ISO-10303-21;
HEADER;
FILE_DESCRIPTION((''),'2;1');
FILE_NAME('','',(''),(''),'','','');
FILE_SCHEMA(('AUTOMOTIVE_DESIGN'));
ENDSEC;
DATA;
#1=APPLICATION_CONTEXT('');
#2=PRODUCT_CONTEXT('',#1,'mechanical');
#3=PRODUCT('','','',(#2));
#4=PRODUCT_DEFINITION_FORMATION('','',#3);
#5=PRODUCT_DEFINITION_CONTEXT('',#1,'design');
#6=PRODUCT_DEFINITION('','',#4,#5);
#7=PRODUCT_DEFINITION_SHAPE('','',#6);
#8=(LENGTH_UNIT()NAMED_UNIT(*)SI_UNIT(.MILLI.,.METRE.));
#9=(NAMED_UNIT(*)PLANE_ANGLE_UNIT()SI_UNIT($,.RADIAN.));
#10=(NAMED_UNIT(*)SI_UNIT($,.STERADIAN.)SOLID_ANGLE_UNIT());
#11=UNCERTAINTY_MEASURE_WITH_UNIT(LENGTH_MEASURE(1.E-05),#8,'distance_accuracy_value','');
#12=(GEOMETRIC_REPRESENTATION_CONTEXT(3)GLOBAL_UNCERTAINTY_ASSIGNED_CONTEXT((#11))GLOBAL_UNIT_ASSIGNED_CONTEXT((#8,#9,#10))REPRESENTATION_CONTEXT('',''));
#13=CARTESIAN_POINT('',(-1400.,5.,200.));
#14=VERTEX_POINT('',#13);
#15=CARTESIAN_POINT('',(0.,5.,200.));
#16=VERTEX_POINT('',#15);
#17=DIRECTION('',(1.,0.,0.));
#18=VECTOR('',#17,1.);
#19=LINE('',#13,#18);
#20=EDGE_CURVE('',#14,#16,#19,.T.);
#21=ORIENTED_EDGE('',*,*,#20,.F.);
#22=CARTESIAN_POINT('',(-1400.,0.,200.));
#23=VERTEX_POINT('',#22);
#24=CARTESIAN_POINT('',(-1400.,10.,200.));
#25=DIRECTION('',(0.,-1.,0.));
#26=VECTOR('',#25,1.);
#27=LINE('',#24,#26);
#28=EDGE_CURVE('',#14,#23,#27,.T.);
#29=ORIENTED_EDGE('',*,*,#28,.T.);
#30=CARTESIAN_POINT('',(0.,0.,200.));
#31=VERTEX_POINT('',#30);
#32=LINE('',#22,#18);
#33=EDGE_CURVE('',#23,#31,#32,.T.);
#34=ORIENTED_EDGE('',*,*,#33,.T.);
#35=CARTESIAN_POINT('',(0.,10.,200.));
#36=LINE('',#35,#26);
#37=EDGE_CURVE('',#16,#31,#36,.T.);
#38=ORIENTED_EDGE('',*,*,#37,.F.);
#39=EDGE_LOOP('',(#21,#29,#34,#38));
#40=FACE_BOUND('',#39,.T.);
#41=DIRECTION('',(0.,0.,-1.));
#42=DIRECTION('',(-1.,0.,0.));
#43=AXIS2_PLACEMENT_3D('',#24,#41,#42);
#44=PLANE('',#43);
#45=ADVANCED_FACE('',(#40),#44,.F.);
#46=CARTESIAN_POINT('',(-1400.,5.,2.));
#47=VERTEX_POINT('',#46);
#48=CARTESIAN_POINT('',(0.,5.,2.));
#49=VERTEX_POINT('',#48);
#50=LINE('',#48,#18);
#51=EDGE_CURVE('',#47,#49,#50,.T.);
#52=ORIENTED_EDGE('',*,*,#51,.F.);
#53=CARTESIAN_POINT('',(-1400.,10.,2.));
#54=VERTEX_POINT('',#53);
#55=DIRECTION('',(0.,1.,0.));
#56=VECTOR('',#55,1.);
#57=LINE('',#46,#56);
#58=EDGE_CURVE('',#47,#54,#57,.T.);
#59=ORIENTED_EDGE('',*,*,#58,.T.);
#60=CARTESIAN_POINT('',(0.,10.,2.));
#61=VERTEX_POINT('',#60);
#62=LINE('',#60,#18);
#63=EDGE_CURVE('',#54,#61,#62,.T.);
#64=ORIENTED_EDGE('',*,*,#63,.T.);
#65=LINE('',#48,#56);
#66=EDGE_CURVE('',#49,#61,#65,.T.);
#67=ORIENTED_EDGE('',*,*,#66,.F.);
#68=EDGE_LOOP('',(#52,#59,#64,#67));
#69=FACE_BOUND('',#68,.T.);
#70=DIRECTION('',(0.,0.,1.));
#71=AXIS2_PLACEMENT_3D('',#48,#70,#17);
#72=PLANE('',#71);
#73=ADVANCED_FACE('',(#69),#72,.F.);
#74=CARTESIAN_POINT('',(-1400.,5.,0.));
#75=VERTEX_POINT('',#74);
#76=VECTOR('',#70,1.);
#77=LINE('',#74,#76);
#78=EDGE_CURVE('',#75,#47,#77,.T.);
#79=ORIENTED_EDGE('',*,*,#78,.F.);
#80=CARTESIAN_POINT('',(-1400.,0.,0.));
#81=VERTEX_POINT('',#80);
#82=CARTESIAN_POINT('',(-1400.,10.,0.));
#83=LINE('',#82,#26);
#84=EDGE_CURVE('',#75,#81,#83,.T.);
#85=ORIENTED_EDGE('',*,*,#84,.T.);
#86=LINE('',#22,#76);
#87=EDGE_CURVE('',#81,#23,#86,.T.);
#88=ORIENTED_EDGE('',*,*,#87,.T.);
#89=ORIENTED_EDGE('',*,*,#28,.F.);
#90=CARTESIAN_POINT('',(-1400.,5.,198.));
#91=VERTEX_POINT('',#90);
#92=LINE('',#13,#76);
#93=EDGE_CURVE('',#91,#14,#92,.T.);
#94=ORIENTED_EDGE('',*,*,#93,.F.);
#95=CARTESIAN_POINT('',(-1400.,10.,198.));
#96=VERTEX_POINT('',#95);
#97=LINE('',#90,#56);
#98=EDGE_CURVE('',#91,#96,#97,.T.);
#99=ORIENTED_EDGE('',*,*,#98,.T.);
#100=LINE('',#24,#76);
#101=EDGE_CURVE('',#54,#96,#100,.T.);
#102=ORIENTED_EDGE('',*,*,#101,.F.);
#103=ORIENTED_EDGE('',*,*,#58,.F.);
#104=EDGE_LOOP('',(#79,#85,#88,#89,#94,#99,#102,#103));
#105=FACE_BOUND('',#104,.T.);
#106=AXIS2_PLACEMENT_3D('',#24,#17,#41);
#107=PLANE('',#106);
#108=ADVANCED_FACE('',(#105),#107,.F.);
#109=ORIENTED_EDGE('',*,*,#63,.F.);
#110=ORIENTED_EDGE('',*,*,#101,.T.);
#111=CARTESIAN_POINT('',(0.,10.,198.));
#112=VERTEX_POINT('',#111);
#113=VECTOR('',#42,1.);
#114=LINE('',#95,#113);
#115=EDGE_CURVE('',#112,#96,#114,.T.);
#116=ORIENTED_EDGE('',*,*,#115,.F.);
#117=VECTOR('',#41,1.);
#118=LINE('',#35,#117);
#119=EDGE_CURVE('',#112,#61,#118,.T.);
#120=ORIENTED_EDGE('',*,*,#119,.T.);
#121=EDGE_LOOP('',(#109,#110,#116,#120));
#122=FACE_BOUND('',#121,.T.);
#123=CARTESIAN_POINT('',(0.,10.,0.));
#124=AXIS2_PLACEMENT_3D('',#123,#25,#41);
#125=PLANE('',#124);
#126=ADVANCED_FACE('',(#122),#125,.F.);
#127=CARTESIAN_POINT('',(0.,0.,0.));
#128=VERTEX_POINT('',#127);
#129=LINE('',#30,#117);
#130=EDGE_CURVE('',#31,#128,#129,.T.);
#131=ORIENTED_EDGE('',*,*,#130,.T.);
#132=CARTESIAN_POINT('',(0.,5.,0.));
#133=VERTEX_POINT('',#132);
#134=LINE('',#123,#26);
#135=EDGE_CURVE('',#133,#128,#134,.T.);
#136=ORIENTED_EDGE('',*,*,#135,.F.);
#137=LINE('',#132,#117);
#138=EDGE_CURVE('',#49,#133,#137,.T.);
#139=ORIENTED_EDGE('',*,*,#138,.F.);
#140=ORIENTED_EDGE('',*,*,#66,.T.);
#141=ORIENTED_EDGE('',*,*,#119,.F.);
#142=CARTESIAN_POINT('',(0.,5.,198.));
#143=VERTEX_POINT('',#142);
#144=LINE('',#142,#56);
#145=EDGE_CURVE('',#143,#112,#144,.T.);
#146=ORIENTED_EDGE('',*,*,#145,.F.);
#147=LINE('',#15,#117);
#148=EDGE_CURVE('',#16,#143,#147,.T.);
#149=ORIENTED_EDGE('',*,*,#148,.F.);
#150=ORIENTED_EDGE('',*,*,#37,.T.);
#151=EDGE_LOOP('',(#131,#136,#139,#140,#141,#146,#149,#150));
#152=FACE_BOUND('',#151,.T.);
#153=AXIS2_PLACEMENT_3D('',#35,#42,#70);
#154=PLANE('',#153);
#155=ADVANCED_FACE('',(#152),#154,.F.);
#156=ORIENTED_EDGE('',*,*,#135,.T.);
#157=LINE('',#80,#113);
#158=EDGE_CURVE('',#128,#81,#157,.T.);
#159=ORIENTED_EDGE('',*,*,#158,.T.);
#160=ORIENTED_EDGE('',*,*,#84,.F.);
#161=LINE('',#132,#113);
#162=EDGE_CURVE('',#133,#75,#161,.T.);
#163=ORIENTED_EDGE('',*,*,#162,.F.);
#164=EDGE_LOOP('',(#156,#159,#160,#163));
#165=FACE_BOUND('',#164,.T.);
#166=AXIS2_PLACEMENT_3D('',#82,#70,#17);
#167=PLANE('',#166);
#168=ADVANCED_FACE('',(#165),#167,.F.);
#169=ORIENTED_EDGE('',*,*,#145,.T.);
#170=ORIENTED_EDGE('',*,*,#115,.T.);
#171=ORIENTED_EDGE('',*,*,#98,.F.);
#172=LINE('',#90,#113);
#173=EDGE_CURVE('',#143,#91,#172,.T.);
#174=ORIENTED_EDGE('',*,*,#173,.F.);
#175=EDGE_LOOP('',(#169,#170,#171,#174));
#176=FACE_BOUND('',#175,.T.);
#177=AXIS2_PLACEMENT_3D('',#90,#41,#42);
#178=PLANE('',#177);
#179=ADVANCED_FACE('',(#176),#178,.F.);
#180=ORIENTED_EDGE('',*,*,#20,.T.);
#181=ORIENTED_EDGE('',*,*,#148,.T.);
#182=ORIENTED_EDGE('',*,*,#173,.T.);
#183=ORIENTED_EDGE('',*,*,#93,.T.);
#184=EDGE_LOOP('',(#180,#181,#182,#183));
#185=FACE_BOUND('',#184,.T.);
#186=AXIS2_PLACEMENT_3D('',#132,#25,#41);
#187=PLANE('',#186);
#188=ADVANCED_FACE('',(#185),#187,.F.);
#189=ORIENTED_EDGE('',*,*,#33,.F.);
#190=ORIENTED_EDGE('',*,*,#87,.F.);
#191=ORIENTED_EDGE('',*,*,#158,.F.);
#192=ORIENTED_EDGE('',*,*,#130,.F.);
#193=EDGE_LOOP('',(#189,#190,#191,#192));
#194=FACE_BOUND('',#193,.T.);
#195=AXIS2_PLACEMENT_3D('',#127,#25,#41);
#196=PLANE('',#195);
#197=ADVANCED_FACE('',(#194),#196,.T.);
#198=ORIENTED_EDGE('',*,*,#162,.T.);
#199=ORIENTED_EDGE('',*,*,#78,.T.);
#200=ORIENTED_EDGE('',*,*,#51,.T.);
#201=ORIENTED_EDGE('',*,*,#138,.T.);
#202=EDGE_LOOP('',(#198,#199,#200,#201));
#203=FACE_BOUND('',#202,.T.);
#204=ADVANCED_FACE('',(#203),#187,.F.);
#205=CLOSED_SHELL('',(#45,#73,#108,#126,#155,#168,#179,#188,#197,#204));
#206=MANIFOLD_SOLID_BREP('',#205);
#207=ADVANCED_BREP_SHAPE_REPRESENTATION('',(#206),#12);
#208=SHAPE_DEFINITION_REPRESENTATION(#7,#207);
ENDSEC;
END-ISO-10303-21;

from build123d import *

# Parameters (mm, degrees)
SKETCH_1_W          = 1400
SKETCH_1_H          = 200
EXTRUDE_1_DEPTH     = 10
SKETCH_2_W          = 1400
SKETCH_2_H          = 2
CUT_EXTRUDE_1_DEPTH = 5


with BuildPart() as part:
    # Эскиз1 → Бобышка-Вытянуть1 (new body)
    with BuildSketch(Plane(origin=(0, 0, 0), x_dir=(1, 0, 0), z_dir=(0, 1, 0))):
        with Locations((-700, -100)):
            Rectangle(SKETCH_1_W, SKETCH_1_H)
    extrude(amount=EXTRUDE_1_DEPTH)

    # Эскиз2 → Вырез-Вытянуть1 (cut)
    with BuildSketch(Plane(origin=(0, 10, 0), x_dir=(1, 0, 0), z_dir=(0, 1, 0))):
        with Locations((-700, -1)):
            Rectangle(SKETCH_2_W, SKETCH_2_H)
        with Locations((-700, -199)):
            Rectangle(SKETCH_2_W, SKETCH_2_H)
    extrude(amount=-CUT_EXTRUDE_1_DEPTH, mode=Mode.SUBTRACT)


solid = part.part
